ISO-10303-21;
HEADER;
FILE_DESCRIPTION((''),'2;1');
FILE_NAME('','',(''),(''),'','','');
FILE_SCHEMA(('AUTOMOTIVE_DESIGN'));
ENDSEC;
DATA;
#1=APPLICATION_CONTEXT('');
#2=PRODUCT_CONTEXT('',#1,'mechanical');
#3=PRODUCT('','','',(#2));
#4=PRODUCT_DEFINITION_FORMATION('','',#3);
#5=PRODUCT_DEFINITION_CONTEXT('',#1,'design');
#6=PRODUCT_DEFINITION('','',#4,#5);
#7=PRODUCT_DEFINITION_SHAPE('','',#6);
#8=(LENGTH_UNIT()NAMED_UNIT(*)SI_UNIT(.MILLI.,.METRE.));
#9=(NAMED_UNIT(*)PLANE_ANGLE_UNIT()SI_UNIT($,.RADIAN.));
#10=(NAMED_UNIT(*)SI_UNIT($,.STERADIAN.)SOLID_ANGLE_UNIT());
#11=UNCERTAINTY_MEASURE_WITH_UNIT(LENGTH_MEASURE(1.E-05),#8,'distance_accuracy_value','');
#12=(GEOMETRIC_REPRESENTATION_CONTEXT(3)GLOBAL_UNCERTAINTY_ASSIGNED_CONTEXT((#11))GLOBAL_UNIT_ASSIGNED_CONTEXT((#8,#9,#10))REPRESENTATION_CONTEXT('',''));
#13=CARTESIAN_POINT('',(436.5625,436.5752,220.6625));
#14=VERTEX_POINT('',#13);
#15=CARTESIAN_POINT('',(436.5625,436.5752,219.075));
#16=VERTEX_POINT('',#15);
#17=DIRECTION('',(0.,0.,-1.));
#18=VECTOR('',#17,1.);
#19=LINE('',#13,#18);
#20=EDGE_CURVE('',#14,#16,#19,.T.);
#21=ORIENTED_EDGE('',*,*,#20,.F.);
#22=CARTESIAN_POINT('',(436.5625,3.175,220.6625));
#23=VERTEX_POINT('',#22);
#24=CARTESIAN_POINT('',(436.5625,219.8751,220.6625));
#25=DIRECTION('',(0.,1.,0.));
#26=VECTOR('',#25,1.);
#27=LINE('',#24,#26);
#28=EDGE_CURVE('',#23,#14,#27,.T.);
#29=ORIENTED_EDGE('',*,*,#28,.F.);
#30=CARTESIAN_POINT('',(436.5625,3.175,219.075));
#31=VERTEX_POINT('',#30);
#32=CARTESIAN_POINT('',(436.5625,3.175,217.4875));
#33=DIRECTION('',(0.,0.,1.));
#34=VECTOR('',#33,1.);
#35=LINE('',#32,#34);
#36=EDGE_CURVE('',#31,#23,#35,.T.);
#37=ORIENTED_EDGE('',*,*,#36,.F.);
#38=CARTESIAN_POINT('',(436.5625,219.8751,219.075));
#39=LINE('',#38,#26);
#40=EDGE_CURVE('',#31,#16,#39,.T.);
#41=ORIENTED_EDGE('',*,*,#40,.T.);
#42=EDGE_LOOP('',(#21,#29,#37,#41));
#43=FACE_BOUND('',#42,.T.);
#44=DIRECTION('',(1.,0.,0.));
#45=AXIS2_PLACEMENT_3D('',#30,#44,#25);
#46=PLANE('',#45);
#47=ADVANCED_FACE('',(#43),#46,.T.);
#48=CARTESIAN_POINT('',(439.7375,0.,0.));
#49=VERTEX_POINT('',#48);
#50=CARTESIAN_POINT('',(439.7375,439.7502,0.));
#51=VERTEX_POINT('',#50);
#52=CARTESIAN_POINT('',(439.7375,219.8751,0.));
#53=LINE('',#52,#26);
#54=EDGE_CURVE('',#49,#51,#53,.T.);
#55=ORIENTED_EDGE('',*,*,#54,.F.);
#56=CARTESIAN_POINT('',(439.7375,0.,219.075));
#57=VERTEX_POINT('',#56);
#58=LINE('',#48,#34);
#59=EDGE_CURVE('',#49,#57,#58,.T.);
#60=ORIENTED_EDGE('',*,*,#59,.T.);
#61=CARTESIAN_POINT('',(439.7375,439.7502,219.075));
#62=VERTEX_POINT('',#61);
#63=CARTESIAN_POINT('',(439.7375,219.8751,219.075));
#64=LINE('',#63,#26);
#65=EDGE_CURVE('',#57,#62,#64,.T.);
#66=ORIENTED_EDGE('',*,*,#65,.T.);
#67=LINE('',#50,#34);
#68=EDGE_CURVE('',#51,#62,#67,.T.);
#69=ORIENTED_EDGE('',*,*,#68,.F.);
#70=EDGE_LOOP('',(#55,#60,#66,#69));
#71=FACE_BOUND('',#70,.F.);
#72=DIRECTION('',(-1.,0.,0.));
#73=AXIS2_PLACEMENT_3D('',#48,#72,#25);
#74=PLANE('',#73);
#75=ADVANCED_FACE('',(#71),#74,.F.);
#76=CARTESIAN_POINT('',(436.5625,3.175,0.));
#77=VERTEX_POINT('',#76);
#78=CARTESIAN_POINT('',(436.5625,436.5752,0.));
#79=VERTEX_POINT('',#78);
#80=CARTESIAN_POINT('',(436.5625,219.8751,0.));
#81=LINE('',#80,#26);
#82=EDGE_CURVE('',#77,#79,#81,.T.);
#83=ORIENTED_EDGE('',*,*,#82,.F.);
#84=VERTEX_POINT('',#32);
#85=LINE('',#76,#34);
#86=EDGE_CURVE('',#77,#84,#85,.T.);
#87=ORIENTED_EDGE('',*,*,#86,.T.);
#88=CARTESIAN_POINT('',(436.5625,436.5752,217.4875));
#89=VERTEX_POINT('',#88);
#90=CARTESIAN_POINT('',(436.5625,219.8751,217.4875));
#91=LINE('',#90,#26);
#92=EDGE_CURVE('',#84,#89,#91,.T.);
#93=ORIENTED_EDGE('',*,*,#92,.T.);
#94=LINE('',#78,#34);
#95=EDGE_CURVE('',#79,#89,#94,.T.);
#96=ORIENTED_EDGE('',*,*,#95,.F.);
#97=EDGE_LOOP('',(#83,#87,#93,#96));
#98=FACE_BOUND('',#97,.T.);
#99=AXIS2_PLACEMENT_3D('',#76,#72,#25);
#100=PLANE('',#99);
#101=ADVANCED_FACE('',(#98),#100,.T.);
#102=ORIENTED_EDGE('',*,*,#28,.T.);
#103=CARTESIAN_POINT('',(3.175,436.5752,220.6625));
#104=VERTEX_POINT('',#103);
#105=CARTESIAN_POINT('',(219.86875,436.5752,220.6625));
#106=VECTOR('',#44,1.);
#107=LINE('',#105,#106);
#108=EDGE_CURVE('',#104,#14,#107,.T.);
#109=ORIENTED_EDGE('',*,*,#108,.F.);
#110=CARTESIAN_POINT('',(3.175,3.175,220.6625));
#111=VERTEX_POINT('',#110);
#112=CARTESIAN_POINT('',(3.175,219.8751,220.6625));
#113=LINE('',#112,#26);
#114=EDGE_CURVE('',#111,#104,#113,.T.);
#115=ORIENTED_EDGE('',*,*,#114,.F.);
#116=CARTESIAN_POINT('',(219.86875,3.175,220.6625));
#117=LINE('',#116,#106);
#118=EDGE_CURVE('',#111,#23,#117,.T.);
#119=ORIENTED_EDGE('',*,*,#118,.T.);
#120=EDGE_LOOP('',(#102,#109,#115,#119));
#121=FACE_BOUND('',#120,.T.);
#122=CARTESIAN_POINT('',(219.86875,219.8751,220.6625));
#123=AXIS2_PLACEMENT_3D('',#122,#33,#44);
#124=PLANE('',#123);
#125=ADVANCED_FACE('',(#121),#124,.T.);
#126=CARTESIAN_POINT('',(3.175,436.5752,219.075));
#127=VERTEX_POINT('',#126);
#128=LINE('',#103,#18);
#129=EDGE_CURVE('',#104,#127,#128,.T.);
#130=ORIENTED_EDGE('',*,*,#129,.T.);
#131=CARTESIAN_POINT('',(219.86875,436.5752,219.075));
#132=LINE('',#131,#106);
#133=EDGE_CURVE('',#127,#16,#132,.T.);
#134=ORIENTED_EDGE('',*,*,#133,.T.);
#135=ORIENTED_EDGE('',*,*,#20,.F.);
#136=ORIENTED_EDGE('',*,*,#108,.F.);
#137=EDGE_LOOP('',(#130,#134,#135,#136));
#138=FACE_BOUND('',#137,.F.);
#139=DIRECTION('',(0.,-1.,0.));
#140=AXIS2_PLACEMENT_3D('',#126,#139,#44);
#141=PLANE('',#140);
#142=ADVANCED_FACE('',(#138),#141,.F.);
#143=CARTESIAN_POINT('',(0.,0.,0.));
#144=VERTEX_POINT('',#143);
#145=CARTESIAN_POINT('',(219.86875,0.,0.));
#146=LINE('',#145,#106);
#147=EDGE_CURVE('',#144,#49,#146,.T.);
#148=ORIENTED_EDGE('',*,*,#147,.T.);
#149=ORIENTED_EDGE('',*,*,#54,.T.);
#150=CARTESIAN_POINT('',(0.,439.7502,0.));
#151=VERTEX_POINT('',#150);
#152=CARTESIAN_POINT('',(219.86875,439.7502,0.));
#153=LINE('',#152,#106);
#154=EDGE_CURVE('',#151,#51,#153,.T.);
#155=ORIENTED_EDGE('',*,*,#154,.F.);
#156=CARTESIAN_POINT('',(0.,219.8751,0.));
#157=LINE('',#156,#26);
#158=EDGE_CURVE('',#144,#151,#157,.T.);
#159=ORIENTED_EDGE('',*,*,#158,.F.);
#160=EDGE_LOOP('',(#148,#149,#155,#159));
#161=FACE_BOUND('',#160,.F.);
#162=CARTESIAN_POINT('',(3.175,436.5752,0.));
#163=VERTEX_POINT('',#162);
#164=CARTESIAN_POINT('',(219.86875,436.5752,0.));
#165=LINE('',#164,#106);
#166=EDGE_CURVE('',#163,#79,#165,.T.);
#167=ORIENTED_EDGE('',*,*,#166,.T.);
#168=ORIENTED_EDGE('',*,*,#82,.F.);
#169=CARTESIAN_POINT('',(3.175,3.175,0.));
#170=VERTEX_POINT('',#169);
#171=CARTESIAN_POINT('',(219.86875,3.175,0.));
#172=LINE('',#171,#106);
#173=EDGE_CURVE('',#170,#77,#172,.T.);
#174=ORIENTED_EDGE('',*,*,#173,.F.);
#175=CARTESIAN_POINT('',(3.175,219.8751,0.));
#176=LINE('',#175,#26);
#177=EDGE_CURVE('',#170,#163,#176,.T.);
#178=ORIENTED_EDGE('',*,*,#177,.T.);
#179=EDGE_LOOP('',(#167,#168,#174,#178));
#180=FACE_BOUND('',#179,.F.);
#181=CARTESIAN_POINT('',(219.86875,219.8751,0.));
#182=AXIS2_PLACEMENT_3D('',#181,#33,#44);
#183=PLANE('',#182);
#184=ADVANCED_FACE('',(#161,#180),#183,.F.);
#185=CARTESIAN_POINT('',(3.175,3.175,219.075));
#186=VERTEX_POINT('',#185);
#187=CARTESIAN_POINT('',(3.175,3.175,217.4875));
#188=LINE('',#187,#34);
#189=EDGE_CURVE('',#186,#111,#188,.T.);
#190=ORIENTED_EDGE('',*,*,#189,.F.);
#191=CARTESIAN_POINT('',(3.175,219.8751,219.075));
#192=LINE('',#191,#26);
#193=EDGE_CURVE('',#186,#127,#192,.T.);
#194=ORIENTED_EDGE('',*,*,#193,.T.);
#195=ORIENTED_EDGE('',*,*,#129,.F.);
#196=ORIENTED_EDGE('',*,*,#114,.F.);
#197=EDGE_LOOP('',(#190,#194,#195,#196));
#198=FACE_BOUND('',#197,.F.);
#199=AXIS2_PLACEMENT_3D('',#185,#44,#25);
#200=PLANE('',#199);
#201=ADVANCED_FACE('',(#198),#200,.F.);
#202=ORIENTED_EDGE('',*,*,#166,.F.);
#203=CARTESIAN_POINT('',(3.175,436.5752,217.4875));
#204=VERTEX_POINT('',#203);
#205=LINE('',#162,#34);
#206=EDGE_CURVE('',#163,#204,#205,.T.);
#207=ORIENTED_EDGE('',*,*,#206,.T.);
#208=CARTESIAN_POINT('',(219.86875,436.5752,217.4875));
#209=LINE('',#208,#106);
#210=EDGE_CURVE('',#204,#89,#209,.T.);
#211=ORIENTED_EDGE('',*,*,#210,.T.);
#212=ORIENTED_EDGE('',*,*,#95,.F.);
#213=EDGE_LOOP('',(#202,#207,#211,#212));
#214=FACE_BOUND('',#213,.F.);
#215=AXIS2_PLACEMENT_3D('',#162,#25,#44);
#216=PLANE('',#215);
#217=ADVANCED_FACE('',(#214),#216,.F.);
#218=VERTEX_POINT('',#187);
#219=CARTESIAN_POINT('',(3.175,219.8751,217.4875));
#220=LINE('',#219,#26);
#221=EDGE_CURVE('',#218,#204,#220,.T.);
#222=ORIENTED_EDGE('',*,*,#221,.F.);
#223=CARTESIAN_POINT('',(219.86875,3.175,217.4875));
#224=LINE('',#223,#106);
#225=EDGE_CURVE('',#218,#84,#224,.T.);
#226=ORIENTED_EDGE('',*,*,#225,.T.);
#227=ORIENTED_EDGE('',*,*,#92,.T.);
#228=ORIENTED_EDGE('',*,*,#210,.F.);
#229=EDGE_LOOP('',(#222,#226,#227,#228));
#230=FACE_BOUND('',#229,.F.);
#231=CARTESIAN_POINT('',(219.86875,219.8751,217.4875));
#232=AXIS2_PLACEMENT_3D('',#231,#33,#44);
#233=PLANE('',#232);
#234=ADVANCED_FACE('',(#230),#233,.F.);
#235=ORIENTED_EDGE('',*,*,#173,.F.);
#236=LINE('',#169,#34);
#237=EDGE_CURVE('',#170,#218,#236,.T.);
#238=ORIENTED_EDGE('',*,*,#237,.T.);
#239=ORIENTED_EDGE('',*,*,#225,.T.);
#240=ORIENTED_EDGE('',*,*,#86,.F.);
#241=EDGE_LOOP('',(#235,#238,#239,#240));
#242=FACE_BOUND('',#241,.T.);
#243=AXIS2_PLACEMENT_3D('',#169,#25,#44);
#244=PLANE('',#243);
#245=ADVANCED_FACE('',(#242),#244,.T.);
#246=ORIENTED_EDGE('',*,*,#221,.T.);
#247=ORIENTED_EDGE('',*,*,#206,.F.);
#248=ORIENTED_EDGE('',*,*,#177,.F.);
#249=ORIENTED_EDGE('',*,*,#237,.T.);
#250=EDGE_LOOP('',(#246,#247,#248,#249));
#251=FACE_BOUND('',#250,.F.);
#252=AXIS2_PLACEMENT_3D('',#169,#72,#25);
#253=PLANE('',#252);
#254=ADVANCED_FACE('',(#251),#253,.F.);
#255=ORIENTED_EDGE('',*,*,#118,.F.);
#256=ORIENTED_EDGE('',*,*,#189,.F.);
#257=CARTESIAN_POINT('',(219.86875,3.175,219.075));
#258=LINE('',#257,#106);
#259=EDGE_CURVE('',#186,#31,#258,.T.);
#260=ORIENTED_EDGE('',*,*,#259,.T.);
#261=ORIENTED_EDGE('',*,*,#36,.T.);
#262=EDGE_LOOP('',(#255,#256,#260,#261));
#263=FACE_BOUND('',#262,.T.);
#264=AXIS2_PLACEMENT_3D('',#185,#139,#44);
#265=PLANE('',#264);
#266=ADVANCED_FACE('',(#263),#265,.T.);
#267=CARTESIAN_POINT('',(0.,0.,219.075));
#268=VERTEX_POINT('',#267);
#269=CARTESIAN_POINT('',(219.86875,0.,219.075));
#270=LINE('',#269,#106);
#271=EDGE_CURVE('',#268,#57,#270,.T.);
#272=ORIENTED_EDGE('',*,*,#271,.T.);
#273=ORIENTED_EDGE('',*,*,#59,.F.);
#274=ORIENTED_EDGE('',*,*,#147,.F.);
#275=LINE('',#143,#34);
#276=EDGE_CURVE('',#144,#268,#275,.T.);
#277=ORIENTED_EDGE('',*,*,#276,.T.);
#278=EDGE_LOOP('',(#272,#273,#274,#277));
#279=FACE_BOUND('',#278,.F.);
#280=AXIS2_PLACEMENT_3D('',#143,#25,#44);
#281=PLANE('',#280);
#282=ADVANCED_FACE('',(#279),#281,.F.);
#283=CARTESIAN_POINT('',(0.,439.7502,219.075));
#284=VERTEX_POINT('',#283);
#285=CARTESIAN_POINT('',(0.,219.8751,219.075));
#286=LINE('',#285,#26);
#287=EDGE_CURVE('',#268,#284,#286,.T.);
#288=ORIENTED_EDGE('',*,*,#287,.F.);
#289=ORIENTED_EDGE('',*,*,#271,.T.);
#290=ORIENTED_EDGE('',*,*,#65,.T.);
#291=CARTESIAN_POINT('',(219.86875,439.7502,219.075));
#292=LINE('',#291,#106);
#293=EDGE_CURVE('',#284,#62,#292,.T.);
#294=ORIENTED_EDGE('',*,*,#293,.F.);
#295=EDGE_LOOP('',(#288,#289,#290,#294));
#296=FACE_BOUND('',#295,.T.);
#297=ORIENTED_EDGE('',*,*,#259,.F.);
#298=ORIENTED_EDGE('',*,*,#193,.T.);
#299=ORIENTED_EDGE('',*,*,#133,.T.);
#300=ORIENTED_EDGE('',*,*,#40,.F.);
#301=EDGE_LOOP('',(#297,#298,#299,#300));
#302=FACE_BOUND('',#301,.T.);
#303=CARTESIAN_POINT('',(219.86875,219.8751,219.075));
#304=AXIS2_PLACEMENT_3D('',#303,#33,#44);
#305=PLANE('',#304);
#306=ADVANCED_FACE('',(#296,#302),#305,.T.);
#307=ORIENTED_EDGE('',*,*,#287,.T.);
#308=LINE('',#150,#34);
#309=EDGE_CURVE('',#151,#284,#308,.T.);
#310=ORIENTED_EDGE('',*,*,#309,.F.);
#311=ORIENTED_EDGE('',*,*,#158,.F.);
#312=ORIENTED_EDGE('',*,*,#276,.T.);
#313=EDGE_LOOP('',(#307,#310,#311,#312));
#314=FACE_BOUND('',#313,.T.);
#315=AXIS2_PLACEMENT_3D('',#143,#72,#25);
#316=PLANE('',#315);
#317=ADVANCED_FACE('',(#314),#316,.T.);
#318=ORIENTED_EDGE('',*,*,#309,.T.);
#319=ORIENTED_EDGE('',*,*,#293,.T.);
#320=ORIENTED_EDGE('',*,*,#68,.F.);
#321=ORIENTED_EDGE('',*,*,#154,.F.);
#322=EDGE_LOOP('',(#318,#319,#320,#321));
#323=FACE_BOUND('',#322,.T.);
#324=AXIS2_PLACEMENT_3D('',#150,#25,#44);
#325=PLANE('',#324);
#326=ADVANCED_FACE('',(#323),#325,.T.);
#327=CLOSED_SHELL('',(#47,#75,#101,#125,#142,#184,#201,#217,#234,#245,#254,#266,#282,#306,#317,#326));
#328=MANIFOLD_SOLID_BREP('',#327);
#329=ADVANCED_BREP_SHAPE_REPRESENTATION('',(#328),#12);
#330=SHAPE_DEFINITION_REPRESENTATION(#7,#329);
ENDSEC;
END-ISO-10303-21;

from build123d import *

# Parameters (mm, degrees)
F0_W     = 439.7375
F0_H     = 439.7502
F0_W_2   = 433.3875
F0_H_2   = 433.4002
F1_DEPTH = 219.075
F2_W     = 433.3875
F2_H     = 433.4002
F3_DEPTH = 1.5875


with BuildPart() as f1:
    # F0 (on Top) → F1 (new body)
    with BuildSketch(Plane.XY):
        with Locations((219.86875, 219.8751)):
            Rectangle(F0_W, F0_H)
        with Locations((219.86875, 219.8751)):
            Rectangle(F0_W_2, F0_H_2, mode=Mode.SUBTRACT)
    extrude(amount=F1_DEPTH)

    # F2 (on face) → F3 (join, symmetric)
    with BuildSketch(Plane.XY.offset(219.075)):
        with Locations((219.86875, 219.8751)):
            Rectangle(F2_W, F2_H)
    extrude(amount=F3_DEPTH, both=True)


solid = f1.part
